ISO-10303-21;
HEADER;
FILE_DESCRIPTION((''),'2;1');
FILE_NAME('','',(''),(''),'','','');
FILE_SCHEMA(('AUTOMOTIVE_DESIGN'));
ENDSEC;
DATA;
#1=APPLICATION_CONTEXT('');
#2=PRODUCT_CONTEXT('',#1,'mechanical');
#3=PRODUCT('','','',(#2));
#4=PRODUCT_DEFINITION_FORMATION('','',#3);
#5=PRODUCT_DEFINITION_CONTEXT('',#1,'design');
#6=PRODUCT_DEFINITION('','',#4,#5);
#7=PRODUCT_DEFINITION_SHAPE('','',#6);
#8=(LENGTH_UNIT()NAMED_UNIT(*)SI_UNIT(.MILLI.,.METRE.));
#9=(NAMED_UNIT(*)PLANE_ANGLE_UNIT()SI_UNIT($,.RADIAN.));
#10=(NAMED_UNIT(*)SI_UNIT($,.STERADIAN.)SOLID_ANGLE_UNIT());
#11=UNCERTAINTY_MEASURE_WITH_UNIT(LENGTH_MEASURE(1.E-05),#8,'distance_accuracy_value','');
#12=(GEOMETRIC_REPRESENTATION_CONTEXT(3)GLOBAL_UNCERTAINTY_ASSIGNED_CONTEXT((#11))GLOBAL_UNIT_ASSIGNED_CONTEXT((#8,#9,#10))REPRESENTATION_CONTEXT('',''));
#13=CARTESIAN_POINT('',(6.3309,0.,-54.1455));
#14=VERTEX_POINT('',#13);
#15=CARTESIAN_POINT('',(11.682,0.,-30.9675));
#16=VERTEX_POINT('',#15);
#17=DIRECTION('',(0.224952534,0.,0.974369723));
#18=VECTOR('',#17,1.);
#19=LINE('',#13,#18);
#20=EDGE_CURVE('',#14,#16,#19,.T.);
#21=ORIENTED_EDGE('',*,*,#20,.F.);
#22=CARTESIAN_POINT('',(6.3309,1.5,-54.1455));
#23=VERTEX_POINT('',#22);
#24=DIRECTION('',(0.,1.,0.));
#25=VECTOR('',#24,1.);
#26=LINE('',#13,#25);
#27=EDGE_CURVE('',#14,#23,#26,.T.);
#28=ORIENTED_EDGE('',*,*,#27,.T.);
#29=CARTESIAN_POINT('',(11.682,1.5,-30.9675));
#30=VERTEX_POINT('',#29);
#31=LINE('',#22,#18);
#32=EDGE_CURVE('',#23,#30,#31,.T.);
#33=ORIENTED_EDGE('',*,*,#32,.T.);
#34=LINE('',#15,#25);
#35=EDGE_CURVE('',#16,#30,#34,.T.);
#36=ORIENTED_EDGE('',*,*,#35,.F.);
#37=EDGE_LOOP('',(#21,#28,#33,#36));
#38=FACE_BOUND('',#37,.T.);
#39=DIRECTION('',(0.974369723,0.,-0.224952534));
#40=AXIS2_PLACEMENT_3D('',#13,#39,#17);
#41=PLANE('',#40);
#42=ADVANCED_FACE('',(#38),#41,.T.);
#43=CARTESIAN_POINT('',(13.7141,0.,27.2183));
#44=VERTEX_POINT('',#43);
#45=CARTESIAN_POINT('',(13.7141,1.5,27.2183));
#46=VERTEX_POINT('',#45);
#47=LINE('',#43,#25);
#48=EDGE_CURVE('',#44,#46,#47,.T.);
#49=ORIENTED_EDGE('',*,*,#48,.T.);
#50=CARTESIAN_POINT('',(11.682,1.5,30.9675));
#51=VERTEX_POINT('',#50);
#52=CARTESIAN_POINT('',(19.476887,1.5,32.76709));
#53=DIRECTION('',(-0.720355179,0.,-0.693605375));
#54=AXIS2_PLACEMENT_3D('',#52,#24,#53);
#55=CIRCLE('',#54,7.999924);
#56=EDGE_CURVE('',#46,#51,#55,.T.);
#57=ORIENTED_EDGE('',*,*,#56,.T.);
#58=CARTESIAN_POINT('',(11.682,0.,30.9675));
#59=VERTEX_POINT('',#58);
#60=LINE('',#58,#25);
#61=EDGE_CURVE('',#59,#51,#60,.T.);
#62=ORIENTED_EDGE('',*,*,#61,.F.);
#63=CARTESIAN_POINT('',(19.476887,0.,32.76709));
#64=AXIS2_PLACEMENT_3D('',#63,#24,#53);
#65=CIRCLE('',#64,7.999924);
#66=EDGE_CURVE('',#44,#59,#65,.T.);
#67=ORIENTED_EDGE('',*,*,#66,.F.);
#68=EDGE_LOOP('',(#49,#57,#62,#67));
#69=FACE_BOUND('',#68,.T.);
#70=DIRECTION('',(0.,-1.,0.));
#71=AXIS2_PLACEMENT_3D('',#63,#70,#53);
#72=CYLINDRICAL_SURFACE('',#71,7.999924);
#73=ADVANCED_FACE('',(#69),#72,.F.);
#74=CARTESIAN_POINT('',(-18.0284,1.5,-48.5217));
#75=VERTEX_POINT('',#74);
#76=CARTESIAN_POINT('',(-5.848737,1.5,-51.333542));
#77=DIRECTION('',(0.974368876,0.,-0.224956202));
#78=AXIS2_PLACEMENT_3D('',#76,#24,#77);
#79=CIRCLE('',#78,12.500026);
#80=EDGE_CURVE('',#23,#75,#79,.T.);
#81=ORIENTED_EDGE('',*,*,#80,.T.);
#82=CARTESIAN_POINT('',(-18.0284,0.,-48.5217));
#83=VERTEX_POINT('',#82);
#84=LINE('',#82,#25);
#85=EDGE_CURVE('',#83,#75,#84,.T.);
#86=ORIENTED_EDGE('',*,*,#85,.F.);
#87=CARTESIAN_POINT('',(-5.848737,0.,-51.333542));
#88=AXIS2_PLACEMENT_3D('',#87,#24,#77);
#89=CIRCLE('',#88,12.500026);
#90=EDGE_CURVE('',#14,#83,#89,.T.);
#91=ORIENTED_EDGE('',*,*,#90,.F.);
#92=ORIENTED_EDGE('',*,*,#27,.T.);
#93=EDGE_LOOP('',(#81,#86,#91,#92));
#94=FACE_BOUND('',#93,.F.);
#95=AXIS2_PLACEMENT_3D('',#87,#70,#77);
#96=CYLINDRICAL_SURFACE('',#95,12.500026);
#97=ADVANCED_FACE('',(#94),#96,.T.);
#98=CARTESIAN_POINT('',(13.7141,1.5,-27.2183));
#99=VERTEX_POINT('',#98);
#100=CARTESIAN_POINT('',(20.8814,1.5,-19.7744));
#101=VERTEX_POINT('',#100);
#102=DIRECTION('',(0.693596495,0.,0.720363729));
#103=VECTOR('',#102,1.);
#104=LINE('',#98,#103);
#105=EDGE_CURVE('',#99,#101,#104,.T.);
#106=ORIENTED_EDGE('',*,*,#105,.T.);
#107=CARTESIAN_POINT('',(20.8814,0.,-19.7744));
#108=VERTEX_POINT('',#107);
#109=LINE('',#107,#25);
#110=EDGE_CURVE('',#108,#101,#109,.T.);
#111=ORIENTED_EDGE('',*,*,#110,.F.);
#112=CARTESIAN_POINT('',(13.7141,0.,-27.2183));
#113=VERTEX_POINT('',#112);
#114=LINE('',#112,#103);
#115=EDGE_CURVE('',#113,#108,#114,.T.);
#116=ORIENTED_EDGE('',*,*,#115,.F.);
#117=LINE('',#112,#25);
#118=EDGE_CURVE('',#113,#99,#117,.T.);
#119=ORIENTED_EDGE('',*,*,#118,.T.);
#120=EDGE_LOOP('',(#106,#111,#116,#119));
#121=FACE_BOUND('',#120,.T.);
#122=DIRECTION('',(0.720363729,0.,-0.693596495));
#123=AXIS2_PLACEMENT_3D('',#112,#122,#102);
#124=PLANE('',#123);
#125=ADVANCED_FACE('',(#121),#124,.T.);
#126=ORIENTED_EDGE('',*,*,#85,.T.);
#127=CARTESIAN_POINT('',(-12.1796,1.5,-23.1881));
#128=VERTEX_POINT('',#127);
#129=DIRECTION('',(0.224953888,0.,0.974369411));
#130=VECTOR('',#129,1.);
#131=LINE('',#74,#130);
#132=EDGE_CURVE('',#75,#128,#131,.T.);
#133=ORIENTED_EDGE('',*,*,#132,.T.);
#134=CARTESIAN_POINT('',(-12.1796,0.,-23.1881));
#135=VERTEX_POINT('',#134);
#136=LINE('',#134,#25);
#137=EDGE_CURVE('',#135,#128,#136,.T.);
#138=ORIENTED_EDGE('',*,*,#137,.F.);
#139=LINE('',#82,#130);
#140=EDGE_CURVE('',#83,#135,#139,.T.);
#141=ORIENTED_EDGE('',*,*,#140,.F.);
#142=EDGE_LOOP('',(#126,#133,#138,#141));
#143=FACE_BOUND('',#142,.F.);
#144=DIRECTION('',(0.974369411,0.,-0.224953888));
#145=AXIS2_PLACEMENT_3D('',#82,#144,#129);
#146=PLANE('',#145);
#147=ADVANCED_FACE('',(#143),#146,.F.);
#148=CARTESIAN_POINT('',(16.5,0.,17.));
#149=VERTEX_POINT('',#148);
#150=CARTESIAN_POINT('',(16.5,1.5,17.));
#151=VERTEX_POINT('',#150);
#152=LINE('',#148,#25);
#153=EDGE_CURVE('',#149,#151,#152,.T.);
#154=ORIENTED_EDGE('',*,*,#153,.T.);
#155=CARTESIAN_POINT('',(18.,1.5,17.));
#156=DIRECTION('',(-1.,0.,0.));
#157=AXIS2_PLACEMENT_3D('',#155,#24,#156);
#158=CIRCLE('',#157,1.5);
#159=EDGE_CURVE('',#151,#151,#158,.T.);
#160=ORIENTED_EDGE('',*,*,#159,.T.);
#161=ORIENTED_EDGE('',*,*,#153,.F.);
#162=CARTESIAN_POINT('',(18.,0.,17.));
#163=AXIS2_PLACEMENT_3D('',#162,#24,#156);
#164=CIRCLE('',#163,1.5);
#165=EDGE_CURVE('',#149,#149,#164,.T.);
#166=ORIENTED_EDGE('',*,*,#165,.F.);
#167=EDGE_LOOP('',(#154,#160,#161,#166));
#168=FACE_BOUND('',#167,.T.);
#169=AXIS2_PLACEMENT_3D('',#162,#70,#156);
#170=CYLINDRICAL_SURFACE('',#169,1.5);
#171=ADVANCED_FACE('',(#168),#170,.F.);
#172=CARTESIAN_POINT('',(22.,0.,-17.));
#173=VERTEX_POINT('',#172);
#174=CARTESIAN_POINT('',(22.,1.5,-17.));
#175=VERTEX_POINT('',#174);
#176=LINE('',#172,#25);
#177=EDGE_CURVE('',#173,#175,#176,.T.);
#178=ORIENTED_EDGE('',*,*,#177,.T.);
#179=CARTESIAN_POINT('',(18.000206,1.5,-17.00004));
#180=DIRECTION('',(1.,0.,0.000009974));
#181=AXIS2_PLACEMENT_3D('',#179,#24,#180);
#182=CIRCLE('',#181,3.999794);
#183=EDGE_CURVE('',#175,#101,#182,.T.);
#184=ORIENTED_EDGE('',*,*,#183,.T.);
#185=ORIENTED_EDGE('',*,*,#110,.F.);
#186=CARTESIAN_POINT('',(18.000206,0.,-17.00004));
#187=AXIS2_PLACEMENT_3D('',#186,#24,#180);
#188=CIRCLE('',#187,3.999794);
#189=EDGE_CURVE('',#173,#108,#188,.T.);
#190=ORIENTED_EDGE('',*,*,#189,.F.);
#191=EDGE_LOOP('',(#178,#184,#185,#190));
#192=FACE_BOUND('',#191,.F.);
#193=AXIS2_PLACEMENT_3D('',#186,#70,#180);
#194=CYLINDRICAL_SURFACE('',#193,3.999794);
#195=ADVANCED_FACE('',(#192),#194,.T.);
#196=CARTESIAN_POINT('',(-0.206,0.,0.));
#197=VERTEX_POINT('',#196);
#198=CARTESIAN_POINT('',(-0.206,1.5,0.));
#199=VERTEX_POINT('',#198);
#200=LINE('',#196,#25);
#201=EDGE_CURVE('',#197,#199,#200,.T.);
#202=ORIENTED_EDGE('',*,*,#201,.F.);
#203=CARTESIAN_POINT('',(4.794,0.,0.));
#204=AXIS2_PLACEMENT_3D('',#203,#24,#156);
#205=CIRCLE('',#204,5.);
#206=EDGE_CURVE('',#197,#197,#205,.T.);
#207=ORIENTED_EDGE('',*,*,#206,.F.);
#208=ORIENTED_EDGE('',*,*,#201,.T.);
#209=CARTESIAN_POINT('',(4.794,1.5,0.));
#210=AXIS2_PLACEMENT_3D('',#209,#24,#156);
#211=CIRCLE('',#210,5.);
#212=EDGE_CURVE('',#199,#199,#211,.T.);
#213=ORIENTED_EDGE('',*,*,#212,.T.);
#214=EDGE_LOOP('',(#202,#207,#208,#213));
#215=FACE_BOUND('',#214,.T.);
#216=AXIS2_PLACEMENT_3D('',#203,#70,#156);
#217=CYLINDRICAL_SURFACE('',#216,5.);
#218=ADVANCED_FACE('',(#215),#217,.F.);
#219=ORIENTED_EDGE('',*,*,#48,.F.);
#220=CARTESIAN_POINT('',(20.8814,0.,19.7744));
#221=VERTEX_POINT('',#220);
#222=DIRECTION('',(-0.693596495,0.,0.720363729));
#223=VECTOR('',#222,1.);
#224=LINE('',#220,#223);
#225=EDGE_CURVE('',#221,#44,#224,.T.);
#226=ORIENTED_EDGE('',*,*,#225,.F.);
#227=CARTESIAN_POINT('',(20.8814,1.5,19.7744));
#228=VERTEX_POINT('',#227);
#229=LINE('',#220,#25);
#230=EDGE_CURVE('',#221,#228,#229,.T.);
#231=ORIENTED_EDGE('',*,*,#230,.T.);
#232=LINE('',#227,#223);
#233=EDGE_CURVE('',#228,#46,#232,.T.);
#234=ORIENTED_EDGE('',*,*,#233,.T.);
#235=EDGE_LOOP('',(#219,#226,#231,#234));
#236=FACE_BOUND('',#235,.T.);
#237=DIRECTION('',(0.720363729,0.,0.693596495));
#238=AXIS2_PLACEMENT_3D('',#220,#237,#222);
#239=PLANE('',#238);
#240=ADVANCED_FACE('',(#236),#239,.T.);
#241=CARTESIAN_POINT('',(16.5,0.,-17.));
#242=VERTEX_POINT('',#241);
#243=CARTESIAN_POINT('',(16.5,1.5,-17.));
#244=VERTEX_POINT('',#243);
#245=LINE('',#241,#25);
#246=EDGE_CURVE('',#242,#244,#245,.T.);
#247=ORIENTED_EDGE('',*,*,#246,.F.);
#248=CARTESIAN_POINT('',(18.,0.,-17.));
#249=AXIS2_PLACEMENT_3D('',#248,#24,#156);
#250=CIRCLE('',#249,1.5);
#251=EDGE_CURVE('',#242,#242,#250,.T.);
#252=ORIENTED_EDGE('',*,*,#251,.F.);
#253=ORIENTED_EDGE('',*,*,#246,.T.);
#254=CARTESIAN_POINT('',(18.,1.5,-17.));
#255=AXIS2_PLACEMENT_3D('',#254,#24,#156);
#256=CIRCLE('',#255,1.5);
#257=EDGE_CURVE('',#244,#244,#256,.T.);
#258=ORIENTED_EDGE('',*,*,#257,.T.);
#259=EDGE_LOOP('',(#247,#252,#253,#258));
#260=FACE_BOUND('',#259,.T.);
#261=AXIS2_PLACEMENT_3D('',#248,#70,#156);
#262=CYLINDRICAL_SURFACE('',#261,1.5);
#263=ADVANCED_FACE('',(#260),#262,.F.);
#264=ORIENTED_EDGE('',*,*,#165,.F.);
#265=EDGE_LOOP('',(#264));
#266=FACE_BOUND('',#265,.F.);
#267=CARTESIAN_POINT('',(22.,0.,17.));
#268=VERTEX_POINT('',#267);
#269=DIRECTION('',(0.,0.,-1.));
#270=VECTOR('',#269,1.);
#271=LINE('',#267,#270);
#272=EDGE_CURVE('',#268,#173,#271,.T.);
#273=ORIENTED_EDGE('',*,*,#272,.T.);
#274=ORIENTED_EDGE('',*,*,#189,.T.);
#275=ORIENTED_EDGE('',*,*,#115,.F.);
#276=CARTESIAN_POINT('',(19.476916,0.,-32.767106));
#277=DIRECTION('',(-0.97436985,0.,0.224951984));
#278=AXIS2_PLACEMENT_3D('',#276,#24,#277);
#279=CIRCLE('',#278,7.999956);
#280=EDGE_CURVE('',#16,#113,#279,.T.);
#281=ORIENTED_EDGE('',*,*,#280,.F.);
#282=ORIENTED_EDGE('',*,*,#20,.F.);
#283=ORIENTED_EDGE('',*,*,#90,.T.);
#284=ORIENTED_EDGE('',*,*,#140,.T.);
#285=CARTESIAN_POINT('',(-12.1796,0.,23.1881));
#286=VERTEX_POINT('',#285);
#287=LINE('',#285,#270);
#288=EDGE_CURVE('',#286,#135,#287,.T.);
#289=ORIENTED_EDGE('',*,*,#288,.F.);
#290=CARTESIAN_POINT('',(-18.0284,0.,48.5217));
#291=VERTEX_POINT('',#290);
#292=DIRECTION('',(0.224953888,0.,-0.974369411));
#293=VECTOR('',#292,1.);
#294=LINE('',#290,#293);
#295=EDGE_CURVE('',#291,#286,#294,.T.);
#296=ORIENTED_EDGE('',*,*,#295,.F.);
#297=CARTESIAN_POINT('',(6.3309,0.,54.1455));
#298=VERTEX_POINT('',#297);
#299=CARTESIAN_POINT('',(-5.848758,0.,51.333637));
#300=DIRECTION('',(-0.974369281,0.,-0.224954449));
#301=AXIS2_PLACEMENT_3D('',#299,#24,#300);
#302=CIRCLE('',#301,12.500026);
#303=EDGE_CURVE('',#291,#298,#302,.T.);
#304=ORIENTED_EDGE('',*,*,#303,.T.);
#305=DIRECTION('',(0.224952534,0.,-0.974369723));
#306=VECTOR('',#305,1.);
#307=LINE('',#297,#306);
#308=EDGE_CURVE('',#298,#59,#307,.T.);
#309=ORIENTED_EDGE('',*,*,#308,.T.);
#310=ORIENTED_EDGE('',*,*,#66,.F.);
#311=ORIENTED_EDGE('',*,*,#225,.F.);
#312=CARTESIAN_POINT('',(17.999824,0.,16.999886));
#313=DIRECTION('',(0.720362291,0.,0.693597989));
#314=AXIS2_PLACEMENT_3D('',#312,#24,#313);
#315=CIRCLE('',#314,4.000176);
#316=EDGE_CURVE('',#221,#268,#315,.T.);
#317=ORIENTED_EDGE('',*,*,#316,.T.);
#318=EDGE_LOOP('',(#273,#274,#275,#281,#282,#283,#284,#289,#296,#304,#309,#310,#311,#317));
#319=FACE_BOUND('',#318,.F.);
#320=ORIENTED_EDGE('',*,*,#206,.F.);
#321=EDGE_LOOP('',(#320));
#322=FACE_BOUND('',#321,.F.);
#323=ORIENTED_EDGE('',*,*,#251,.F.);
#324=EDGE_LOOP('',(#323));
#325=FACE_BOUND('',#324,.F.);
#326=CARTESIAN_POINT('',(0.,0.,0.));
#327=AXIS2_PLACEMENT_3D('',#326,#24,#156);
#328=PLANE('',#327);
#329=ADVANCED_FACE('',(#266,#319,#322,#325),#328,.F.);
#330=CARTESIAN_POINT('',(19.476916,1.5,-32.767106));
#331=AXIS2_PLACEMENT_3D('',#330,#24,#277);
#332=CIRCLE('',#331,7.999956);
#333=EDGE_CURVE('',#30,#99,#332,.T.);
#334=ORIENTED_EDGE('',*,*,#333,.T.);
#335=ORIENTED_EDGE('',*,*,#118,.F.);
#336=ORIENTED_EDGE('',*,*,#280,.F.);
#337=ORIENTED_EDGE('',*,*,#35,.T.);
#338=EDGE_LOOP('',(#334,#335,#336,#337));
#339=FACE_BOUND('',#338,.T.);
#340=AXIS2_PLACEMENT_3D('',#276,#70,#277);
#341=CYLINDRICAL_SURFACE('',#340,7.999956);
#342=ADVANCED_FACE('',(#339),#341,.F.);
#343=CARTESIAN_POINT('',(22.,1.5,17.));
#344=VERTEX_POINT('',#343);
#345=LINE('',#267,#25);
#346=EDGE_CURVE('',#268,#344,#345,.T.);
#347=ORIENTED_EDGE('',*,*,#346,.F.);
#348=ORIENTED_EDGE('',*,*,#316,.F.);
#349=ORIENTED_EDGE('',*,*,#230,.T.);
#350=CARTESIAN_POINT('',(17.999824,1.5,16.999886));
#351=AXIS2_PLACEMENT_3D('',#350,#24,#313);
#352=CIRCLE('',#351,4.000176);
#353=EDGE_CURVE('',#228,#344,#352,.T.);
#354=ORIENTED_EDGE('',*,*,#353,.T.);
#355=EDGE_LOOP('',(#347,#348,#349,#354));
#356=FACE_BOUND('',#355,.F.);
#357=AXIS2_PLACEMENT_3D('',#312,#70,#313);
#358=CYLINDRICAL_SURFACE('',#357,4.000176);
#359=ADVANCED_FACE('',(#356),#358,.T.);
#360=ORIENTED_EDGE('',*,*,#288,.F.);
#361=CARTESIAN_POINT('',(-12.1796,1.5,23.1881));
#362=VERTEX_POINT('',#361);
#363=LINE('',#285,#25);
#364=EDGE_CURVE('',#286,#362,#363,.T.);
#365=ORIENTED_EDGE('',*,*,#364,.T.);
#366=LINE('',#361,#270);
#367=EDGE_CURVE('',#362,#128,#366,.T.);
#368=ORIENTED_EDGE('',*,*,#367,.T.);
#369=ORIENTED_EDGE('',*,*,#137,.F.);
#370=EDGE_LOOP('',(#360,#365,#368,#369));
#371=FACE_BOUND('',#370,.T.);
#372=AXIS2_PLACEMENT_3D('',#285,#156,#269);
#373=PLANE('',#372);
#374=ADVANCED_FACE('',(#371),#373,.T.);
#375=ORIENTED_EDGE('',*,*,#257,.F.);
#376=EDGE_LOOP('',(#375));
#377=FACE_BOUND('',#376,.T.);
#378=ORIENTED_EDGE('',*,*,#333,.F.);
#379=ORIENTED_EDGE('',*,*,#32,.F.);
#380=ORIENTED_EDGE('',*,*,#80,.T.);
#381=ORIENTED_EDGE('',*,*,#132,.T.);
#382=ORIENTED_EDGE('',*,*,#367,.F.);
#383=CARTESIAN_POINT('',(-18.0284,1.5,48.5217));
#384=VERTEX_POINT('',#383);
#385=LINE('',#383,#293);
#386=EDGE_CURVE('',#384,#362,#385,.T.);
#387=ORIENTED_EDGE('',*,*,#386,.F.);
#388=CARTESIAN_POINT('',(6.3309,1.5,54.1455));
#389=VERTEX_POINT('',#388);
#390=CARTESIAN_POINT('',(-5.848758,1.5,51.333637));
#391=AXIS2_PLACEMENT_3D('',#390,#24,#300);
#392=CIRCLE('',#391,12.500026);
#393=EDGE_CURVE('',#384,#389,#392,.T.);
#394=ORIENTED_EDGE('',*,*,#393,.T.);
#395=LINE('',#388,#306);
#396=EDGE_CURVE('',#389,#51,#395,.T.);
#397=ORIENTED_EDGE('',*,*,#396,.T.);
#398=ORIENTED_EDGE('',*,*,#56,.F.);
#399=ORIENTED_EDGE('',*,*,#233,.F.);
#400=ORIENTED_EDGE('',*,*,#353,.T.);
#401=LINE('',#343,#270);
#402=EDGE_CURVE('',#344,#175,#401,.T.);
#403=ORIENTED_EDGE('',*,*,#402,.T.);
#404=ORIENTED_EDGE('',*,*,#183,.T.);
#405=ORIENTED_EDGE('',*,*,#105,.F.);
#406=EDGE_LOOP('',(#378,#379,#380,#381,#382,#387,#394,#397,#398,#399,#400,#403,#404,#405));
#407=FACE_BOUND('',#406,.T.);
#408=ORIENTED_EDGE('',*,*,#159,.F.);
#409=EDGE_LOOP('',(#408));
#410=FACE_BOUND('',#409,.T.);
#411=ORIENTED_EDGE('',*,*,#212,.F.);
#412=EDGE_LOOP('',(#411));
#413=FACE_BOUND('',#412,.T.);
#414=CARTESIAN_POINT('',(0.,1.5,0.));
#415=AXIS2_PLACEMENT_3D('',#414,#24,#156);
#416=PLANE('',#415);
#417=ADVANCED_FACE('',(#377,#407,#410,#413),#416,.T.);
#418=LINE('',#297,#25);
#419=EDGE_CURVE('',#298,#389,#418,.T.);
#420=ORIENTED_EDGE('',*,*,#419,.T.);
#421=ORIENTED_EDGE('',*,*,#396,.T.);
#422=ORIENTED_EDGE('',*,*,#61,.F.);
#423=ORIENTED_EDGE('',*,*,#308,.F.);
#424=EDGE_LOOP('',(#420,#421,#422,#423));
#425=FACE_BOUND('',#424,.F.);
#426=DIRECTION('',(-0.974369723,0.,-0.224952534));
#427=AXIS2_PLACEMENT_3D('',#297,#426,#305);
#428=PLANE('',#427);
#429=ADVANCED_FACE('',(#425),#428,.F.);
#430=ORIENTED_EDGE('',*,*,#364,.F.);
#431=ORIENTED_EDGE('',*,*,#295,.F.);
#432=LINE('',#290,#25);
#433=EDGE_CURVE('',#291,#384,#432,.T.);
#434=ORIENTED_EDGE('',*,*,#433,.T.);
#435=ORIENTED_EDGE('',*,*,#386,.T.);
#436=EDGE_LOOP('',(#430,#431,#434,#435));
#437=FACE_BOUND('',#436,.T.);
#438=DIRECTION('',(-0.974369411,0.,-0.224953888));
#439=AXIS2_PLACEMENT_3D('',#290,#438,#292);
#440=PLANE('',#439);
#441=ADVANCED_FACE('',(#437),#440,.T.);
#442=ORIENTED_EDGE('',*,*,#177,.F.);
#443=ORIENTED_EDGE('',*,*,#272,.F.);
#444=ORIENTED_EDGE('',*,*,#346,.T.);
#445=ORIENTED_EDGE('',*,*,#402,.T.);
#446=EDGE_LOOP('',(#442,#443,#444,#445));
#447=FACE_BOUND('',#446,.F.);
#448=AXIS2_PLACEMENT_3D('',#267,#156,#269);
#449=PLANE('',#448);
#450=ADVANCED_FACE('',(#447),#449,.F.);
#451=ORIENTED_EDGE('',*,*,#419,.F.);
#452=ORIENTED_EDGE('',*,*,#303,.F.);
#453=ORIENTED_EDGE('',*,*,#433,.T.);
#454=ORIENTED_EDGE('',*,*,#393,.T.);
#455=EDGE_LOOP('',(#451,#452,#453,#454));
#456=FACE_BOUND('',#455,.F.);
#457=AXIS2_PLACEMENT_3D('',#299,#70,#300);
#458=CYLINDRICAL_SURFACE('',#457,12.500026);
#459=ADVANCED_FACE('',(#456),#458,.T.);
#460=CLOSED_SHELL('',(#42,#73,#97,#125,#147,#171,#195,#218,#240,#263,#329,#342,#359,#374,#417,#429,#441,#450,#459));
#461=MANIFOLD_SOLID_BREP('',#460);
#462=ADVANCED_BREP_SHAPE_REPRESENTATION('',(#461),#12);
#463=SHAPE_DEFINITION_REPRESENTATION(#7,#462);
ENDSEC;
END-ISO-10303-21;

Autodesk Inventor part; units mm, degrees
ref_plane "YZ Plane" through (0, 0, 0) normal (1, 0, 0) x (0, 1, 0)
ref_plane "XZ Plane" through (0, 0, 0) normal (0, 1, 0) x (-1, 0, 0)
ref_plane "XY Plane" through (0, 0, 0) normal (0, 0, 1) x (1, 0, 0)
sketch "Эскиз2" plane through (0, 0, 0) normal (0, 1, 0) x (-1, 0, 0)
  line L0 (0, 26) -> (0, -26) construction
  arc A0 (-12.5, 26) -> (-12.1796, 28.8119) centre (0, 26) ccw construction
  line L1 (0, 26) -> (5.8487, 51.3336) construction
  arc A1 (18.0284, 48.5217) -> (-6.3309, 54.1455) centre (5.8487, 51.3336) ccw
  line L2 (0, 0) -> (59.5469, 0) construction
  line L3 (18.0284, 48.5217) -> (12.1796, 23.1881)
  line L4 (-6.3309, 54.1455) -> (-11.682, 30.9675)
  arc A2 (3.0368, 39.154) -> (18.0284, 48.5217) centre (5.8487, 51.3336) ccw construction
  arc A3 (-6.3309, 54.1455) -> (3.0368, 39.154) centre (5.8487, 51.3336) ccw construction
  arc A4 (-12.1796, -28.8119) -> (-12.5, -26) centre (0, -26) ccw construction
  arc A5 (-6.3309, -54.1455) -> (18.0284, -48.5217) centre (5.8487, -51.3336) ccw
  line L5 (18.0284, -48.5217) -> (12.1796, -23.1881)
  line L6 (-6.3309, -54.1455) -> (-11.682, -30.9675)
  arc A6 (18.0284, -48.5217) -> (3.0368, -39.154) centre (5.8487, -51.3336) ccw construction
  arc A7 (3.0368, -39.154) -> (-6.3309, -54.1455) centre (5.8487, -51.3336) ccw construction
  line L7 (12.1796, 23.1881) -> (12.1796, -23.1881)
  arc A8 (-12.1796, 28.8119) -> (-12.5, 26) centre (0, 26) ccw construction
  arc A9 (-12.5, -26) -> (-12.1796, -28.8119) centre (0, -26) ccw construction
  line L8 (-18, 17) -> (-18, -17) construction
  circle A10 centre (-18, 17) radius 1.5
  circle A11 centre (-18, -17) radius 1.5
  arc A12 (-20.8814, 19.7744) -> (-22, 17) centre (-18, 17) ccw
  arc A13 (-18, -13) -> (-22, -17) centre (-18, -17) ccw construction
  line L9 (-22, 17) -> (-22, -17)
  line L10 (-20.8814, 19.7744) -> (-13.7141, 27.2183)
  arc A14 (-13.7141, 27.2183) -> (-11.682, 30.9675) centre (-19.4769, 32.7671) ccw
  arc A15 (-18, 13) -> (-20.8814, 19.7744) centre (-18, 17) ccw construction
  arc A16 (-22, 17) -> (-18, 13) centre (-18, 17) ccw construction
  arc A17 (-22, -17) -> (-20.8814, -19.7744) centre (-18, -17) ccw
  line L11 (-13.7141, -27.2183) -> (-20.8814, -19.7744)
  arc A18 (-11.682, -30.9675) -> (-13.7141, -27.2183) centre (-19.4769, -32.7671) ccw
  arc A19 (-20.8814, -19.7744) -> (-18, -13) centre (-18, -17) ccw construction
  circle A20 centre (-4.794, 0) radius 5
  point P0 (-18, 0)
  point P1 (0, 0)
  dimension "d14" = 52
  dimension "d15" = 26
  dimension "d16" = 25
  dimension "d17" = 26
  dimension "d18" = 167
  dimension "d19" = 25
  dimension "d20" = 34
  dimension "d21" = 18
  dimension "d22" = 3
  dimension "d23" = 3
  dimension "d24" = 8
  dimension "d25" = 8
  dimension "d26" = 8
  dimension "d27" = 8
  dimension "d28" = 10
  dimension "d29" = 4.794
  dimension "d32" = 26
  dimension "d33" = 51.3336
  dimension "d34" = 4.794
  dimension "d35" = 10.6427
extrude "Выдавливание2" add sketch "Эскиз2" along normal blind 1.5
properties part number "Capasitor_board"
